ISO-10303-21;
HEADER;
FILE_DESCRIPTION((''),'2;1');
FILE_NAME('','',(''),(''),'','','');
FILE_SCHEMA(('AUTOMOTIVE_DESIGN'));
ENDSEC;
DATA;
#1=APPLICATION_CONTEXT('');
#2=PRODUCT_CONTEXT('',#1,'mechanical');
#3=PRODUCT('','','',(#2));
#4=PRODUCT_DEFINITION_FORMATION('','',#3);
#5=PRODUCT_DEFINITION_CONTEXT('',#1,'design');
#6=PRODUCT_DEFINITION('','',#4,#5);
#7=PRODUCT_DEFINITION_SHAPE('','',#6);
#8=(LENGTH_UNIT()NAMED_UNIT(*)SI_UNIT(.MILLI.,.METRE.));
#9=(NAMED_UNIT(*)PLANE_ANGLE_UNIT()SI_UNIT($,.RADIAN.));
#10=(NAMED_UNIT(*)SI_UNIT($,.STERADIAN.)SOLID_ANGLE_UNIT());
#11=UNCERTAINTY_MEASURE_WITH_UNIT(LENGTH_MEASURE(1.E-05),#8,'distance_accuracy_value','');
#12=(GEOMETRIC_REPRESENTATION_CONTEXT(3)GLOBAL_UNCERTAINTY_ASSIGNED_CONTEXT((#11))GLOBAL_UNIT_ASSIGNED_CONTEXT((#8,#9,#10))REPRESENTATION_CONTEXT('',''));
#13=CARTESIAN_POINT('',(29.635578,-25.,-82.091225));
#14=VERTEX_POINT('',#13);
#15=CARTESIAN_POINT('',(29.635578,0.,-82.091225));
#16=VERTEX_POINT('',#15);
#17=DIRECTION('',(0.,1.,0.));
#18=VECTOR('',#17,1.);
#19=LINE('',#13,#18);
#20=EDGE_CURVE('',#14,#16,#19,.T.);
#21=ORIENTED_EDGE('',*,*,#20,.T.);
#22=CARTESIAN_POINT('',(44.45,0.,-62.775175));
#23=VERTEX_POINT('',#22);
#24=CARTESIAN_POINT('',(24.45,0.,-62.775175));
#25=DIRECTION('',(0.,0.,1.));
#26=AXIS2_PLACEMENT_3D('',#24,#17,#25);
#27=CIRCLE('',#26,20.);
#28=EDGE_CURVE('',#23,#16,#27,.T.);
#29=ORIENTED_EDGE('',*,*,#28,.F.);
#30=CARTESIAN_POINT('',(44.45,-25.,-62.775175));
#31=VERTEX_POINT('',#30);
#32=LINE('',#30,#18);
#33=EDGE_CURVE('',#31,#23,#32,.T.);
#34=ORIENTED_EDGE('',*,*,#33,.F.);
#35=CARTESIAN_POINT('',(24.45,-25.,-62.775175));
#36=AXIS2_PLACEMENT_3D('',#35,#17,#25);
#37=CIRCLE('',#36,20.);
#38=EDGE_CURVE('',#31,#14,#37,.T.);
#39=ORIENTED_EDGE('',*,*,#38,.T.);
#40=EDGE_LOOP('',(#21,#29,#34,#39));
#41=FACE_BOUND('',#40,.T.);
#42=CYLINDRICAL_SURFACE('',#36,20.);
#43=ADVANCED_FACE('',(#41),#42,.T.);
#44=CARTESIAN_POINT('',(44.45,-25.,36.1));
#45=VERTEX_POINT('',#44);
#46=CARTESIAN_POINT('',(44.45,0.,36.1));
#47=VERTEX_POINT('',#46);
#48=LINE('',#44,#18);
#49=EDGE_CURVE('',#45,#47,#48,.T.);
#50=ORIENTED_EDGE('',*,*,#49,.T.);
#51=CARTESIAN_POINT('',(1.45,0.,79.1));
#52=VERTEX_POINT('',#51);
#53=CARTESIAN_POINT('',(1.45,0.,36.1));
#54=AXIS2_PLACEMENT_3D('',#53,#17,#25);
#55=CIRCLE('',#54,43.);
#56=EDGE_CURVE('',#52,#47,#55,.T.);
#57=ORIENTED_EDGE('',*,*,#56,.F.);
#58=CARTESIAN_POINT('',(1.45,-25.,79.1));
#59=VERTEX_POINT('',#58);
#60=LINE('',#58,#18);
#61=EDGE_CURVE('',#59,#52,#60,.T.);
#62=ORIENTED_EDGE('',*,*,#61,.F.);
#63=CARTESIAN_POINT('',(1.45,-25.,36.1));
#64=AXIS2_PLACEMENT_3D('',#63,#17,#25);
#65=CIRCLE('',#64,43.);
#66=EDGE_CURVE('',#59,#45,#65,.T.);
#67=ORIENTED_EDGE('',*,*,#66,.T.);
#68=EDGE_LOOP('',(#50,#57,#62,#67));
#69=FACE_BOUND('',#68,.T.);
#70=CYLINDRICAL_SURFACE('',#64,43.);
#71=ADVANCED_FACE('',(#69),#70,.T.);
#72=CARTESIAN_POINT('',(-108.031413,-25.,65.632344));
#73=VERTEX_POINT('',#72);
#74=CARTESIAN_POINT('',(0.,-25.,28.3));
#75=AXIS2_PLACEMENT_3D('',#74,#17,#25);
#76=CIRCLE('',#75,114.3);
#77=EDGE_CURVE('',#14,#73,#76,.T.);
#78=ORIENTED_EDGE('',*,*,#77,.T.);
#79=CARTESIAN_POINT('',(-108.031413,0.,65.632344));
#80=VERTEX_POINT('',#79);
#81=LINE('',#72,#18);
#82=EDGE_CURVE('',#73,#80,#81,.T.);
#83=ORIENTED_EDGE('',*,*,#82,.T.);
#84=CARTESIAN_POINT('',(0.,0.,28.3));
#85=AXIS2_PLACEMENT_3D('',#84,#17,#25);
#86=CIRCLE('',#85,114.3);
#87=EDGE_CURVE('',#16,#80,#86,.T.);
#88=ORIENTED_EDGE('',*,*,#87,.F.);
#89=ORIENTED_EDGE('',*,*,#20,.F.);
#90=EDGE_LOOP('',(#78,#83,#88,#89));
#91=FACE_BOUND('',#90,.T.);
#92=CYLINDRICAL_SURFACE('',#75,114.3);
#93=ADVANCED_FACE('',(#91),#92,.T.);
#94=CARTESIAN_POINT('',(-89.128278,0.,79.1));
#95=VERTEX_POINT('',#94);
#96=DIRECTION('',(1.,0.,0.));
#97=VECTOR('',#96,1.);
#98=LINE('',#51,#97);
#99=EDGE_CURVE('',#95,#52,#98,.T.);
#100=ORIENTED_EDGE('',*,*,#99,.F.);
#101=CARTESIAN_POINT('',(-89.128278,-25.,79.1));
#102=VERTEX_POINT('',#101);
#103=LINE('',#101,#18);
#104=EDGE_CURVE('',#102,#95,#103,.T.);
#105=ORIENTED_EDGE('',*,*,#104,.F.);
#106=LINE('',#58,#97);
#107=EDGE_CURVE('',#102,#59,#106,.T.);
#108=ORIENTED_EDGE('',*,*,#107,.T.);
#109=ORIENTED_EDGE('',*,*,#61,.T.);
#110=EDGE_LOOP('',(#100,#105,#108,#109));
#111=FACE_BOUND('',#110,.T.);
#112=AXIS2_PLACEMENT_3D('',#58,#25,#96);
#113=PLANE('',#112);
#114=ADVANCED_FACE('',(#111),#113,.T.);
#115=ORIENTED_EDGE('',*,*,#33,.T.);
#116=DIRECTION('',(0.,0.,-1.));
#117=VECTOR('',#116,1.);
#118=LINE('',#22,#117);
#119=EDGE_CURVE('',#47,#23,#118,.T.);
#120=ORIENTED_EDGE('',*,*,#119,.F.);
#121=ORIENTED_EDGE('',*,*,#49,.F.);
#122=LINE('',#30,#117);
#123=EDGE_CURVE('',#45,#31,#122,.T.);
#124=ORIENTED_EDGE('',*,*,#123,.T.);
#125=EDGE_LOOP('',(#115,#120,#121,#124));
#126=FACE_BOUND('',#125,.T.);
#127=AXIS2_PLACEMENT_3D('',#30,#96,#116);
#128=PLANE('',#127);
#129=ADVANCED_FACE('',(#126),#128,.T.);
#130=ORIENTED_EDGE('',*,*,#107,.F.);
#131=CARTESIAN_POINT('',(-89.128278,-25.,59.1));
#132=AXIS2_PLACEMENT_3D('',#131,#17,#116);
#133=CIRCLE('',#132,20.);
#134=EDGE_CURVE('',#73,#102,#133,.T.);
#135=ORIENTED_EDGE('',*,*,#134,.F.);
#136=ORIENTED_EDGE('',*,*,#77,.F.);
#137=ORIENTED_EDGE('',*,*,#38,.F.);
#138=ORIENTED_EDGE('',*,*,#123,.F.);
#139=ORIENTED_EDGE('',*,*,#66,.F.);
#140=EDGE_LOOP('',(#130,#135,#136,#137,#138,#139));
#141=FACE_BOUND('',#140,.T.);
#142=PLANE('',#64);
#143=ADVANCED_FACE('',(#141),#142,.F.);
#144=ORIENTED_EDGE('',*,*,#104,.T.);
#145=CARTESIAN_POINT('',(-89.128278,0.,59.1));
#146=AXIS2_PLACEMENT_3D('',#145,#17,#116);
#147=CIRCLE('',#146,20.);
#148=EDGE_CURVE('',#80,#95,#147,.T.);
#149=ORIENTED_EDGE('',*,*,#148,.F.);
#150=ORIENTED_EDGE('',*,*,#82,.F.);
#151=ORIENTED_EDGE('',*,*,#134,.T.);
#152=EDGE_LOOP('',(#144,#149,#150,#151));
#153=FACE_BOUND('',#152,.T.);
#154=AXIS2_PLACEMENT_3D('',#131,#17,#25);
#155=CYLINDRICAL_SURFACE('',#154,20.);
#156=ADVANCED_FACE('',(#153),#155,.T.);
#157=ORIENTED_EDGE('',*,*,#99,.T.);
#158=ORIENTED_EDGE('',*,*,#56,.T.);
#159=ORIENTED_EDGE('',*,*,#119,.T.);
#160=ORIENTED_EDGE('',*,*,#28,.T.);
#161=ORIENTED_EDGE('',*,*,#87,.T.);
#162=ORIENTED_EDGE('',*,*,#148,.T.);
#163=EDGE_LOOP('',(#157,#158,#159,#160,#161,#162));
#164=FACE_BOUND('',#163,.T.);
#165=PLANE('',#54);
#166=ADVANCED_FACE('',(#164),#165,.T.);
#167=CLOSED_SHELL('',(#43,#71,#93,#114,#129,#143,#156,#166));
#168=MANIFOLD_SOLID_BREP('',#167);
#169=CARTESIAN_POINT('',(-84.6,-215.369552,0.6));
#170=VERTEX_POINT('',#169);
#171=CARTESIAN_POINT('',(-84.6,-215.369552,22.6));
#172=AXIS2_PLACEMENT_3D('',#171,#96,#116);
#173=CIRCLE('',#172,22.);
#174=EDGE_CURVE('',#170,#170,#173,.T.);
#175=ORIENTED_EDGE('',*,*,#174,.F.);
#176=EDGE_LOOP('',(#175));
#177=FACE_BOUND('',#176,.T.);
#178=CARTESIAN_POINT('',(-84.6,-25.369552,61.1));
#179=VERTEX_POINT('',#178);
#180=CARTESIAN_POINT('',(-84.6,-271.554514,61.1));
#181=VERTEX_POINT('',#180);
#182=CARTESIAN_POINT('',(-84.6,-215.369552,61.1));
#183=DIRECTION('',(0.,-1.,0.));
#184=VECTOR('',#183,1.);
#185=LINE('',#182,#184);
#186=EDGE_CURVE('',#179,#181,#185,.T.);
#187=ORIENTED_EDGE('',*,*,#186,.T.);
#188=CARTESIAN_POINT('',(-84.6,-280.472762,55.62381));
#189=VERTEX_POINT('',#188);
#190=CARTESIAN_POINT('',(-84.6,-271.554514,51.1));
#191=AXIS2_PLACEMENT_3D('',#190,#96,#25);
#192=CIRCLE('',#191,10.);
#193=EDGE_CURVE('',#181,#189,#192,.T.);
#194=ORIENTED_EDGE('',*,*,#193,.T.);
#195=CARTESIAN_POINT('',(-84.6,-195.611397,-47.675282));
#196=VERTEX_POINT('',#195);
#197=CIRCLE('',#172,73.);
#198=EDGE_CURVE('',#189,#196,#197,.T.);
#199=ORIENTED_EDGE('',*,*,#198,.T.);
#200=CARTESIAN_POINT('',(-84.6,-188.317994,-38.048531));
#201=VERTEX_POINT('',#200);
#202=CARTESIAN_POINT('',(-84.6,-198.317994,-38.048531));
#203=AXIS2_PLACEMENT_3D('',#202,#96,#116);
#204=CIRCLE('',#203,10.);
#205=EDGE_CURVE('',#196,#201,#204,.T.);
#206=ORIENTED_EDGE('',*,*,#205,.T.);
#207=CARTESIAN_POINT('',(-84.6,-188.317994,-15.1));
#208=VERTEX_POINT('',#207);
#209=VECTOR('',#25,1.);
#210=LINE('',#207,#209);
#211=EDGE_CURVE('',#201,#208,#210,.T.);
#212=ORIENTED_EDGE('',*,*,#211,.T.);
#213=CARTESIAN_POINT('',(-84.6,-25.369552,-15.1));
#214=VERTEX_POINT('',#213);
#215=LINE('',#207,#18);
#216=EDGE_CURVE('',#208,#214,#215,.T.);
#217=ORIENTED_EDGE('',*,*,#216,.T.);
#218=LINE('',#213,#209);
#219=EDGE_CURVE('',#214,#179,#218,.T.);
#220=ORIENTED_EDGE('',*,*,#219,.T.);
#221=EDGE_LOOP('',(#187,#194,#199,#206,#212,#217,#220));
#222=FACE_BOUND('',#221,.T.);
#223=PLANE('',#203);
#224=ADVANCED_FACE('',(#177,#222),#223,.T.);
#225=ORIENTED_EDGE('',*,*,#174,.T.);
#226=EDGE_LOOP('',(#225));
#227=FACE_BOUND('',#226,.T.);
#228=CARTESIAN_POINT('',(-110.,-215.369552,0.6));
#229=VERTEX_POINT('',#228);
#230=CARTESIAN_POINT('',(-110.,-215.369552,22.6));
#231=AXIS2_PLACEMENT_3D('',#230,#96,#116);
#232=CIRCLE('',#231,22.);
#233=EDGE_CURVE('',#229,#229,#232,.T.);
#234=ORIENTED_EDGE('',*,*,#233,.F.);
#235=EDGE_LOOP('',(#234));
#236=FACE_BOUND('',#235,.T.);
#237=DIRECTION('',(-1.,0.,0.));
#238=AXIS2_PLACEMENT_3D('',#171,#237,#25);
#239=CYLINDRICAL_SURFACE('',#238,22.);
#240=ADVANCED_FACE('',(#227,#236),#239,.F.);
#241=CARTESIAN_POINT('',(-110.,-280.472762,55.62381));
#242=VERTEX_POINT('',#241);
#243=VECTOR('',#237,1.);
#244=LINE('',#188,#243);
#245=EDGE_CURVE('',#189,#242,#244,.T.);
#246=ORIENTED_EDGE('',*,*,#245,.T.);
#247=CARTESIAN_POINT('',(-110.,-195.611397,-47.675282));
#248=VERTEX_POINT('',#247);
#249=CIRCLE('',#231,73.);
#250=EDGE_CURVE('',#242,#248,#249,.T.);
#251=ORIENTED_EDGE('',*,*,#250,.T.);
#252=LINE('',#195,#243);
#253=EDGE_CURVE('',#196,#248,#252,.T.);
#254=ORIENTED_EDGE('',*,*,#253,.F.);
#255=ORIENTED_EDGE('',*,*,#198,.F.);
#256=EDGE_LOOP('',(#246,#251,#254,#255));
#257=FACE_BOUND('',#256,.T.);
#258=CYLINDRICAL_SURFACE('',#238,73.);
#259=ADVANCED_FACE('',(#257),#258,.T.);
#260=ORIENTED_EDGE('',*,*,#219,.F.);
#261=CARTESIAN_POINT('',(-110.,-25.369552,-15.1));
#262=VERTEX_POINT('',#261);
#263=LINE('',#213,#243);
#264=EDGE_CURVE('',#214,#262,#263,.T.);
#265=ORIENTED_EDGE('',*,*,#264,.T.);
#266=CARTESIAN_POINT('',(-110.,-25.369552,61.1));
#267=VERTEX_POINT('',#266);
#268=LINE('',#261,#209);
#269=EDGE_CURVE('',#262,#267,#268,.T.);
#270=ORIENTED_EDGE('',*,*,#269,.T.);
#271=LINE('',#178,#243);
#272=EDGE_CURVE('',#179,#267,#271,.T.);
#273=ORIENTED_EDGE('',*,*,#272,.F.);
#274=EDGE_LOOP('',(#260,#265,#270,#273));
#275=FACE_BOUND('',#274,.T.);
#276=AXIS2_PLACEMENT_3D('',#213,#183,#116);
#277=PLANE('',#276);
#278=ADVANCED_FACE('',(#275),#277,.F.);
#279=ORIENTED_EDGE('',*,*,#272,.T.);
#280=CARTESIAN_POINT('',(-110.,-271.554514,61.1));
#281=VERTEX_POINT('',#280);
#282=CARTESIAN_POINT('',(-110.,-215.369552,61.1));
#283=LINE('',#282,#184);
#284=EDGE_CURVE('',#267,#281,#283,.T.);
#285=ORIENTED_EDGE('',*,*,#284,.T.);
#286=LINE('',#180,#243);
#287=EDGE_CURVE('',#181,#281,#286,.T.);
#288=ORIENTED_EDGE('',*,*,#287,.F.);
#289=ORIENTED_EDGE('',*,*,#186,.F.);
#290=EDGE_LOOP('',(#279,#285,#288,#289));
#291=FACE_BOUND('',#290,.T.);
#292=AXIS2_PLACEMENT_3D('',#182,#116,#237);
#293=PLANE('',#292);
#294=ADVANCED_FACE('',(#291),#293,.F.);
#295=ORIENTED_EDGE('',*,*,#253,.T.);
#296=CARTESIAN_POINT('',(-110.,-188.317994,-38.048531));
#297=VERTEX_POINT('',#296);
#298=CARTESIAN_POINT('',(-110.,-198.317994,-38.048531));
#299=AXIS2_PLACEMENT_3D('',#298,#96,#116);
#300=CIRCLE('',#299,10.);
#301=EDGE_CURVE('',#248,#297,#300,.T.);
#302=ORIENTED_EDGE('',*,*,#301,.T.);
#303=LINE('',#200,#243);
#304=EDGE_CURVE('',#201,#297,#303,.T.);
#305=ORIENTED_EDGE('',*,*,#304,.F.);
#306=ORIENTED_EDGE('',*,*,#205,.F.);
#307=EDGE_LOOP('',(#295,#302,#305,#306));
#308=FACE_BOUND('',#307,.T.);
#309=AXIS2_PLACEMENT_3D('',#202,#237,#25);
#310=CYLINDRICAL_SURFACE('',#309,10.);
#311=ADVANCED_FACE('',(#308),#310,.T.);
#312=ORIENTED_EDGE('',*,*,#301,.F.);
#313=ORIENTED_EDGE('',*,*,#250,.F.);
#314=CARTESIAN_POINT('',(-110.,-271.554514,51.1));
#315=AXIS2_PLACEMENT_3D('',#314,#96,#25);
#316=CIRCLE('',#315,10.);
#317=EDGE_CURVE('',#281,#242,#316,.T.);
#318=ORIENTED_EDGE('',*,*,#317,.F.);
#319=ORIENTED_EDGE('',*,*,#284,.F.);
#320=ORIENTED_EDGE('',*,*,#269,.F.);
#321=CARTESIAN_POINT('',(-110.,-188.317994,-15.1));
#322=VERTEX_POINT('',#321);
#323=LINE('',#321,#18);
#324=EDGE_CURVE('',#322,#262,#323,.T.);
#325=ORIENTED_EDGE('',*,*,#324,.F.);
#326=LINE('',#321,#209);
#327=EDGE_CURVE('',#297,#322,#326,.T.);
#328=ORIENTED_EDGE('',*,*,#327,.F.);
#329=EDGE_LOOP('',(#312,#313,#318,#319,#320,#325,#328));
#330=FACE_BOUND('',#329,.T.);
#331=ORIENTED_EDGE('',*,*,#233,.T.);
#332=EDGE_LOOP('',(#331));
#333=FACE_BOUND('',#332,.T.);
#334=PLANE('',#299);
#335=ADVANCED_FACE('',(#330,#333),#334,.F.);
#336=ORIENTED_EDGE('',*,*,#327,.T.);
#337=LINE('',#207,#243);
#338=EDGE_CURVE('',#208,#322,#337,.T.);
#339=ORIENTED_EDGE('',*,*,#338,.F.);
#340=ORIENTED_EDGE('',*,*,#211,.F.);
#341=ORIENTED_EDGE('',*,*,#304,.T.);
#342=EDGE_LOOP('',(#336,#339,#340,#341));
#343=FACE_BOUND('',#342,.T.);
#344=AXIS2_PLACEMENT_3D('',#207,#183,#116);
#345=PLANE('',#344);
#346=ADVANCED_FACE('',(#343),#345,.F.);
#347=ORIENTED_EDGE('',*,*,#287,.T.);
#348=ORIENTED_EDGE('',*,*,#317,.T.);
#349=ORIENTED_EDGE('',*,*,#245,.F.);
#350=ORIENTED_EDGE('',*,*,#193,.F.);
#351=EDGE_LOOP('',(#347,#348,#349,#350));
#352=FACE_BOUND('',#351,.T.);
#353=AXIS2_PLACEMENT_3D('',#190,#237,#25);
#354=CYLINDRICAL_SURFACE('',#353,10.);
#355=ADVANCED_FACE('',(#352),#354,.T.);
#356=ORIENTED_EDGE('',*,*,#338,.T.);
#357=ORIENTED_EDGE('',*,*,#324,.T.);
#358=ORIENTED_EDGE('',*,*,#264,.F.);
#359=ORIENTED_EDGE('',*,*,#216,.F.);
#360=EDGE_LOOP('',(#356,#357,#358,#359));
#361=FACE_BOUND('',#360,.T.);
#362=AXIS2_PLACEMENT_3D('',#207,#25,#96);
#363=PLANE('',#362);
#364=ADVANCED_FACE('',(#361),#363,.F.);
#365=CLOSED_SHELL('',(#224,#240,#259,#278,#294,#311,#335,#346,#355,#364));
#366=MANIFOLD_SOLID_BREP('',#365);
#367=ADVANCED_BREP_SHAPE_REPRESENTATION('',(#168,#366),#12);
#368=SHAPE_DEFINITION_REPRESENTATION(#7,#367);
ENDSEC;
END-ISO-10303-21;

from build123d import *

# Parameters (mm, degrees)
BOSS_EXTRUDE2_DEPTH = 25
SKETCH2_R           = 22
BOSS_EXTRUDE5_DEPTH = 25.4


with BuildPart() as part:
    # Sketch1 → Boss-Extrude2 (new body)
    with BuildSketch(Plane(origin=(0, 0, 0), x_dir=(1, 0, 0), z_dir=(0, 1, 0))):
        with BuildLine():
            Line((44.45, 62.775174993), (44.45, -36.1))
            ThreePointArc((44.45, -36.1), (31.855591591, -66.505591591), (1.45, -79.1))
            Line((1.45, -79.1), (-89.128278341, -79.1))
            ThreePointArc((-89.128278341, -79.1), (-100.73330157, -75.38875182), (-108.031412665, -65.632343584))
            ThreePointArc((-108.031412665, -65.632343584), (-83.618418377, 49.62592706), (29.635577943, 82.091224832))
            ThreePointArc((29.635577943, 82.091224832), (40.319964695, 74.946626039), (44.45, 62.775174993))
        make_face()
    extrude(amount=-BOSS_EXTRUDE2_DEPTH)


with BuildPart() as body_2:
    # Sketch2 → Boss-Extrude5 (new body)
    with BuildSketch(Plane(origin=(-110, 0, 0), x_dir=(0, 0, -1), z_dir=(1, 0, 0))):
        with BuildLine():
            Line((-61.1, -215.369552032), (-61.1, -271.554514433))
            ThreePointArc((-61.1, -271.554514433), (-59.621681032, -276.787195618), (-55.623809524, -280.472762433))
            ThreePointArc((-55.623809524, -280.472762433), (23.738762296, -271.776281319), (47.675282365, -195.611397044))
            ThreePointArc((47.675282365, -195.611397044), (44.087324044, -190.347235632), (38.048531356, -188.317993618))
            Line((38.048531356, -188.317993618), (15.1, -188.317993618))
            Line((15.1, -188.317993618), (15.1, -25.369552032))
            Line((15.1, -25.369552032), (-61.1, -25.369552032))
            Line((-61.1, -25.369552032), (-61.1, -215.369552032))
        make_face()
        with Locations((-22.6, -215.369552032)):
            Circle(SKETCH2_R, mode=Mode.SUBTRACT)
    extrude(amount=BOSS_EXTRUDE5_DEPTH)


solid = Compound([part.part, body_2.part])
